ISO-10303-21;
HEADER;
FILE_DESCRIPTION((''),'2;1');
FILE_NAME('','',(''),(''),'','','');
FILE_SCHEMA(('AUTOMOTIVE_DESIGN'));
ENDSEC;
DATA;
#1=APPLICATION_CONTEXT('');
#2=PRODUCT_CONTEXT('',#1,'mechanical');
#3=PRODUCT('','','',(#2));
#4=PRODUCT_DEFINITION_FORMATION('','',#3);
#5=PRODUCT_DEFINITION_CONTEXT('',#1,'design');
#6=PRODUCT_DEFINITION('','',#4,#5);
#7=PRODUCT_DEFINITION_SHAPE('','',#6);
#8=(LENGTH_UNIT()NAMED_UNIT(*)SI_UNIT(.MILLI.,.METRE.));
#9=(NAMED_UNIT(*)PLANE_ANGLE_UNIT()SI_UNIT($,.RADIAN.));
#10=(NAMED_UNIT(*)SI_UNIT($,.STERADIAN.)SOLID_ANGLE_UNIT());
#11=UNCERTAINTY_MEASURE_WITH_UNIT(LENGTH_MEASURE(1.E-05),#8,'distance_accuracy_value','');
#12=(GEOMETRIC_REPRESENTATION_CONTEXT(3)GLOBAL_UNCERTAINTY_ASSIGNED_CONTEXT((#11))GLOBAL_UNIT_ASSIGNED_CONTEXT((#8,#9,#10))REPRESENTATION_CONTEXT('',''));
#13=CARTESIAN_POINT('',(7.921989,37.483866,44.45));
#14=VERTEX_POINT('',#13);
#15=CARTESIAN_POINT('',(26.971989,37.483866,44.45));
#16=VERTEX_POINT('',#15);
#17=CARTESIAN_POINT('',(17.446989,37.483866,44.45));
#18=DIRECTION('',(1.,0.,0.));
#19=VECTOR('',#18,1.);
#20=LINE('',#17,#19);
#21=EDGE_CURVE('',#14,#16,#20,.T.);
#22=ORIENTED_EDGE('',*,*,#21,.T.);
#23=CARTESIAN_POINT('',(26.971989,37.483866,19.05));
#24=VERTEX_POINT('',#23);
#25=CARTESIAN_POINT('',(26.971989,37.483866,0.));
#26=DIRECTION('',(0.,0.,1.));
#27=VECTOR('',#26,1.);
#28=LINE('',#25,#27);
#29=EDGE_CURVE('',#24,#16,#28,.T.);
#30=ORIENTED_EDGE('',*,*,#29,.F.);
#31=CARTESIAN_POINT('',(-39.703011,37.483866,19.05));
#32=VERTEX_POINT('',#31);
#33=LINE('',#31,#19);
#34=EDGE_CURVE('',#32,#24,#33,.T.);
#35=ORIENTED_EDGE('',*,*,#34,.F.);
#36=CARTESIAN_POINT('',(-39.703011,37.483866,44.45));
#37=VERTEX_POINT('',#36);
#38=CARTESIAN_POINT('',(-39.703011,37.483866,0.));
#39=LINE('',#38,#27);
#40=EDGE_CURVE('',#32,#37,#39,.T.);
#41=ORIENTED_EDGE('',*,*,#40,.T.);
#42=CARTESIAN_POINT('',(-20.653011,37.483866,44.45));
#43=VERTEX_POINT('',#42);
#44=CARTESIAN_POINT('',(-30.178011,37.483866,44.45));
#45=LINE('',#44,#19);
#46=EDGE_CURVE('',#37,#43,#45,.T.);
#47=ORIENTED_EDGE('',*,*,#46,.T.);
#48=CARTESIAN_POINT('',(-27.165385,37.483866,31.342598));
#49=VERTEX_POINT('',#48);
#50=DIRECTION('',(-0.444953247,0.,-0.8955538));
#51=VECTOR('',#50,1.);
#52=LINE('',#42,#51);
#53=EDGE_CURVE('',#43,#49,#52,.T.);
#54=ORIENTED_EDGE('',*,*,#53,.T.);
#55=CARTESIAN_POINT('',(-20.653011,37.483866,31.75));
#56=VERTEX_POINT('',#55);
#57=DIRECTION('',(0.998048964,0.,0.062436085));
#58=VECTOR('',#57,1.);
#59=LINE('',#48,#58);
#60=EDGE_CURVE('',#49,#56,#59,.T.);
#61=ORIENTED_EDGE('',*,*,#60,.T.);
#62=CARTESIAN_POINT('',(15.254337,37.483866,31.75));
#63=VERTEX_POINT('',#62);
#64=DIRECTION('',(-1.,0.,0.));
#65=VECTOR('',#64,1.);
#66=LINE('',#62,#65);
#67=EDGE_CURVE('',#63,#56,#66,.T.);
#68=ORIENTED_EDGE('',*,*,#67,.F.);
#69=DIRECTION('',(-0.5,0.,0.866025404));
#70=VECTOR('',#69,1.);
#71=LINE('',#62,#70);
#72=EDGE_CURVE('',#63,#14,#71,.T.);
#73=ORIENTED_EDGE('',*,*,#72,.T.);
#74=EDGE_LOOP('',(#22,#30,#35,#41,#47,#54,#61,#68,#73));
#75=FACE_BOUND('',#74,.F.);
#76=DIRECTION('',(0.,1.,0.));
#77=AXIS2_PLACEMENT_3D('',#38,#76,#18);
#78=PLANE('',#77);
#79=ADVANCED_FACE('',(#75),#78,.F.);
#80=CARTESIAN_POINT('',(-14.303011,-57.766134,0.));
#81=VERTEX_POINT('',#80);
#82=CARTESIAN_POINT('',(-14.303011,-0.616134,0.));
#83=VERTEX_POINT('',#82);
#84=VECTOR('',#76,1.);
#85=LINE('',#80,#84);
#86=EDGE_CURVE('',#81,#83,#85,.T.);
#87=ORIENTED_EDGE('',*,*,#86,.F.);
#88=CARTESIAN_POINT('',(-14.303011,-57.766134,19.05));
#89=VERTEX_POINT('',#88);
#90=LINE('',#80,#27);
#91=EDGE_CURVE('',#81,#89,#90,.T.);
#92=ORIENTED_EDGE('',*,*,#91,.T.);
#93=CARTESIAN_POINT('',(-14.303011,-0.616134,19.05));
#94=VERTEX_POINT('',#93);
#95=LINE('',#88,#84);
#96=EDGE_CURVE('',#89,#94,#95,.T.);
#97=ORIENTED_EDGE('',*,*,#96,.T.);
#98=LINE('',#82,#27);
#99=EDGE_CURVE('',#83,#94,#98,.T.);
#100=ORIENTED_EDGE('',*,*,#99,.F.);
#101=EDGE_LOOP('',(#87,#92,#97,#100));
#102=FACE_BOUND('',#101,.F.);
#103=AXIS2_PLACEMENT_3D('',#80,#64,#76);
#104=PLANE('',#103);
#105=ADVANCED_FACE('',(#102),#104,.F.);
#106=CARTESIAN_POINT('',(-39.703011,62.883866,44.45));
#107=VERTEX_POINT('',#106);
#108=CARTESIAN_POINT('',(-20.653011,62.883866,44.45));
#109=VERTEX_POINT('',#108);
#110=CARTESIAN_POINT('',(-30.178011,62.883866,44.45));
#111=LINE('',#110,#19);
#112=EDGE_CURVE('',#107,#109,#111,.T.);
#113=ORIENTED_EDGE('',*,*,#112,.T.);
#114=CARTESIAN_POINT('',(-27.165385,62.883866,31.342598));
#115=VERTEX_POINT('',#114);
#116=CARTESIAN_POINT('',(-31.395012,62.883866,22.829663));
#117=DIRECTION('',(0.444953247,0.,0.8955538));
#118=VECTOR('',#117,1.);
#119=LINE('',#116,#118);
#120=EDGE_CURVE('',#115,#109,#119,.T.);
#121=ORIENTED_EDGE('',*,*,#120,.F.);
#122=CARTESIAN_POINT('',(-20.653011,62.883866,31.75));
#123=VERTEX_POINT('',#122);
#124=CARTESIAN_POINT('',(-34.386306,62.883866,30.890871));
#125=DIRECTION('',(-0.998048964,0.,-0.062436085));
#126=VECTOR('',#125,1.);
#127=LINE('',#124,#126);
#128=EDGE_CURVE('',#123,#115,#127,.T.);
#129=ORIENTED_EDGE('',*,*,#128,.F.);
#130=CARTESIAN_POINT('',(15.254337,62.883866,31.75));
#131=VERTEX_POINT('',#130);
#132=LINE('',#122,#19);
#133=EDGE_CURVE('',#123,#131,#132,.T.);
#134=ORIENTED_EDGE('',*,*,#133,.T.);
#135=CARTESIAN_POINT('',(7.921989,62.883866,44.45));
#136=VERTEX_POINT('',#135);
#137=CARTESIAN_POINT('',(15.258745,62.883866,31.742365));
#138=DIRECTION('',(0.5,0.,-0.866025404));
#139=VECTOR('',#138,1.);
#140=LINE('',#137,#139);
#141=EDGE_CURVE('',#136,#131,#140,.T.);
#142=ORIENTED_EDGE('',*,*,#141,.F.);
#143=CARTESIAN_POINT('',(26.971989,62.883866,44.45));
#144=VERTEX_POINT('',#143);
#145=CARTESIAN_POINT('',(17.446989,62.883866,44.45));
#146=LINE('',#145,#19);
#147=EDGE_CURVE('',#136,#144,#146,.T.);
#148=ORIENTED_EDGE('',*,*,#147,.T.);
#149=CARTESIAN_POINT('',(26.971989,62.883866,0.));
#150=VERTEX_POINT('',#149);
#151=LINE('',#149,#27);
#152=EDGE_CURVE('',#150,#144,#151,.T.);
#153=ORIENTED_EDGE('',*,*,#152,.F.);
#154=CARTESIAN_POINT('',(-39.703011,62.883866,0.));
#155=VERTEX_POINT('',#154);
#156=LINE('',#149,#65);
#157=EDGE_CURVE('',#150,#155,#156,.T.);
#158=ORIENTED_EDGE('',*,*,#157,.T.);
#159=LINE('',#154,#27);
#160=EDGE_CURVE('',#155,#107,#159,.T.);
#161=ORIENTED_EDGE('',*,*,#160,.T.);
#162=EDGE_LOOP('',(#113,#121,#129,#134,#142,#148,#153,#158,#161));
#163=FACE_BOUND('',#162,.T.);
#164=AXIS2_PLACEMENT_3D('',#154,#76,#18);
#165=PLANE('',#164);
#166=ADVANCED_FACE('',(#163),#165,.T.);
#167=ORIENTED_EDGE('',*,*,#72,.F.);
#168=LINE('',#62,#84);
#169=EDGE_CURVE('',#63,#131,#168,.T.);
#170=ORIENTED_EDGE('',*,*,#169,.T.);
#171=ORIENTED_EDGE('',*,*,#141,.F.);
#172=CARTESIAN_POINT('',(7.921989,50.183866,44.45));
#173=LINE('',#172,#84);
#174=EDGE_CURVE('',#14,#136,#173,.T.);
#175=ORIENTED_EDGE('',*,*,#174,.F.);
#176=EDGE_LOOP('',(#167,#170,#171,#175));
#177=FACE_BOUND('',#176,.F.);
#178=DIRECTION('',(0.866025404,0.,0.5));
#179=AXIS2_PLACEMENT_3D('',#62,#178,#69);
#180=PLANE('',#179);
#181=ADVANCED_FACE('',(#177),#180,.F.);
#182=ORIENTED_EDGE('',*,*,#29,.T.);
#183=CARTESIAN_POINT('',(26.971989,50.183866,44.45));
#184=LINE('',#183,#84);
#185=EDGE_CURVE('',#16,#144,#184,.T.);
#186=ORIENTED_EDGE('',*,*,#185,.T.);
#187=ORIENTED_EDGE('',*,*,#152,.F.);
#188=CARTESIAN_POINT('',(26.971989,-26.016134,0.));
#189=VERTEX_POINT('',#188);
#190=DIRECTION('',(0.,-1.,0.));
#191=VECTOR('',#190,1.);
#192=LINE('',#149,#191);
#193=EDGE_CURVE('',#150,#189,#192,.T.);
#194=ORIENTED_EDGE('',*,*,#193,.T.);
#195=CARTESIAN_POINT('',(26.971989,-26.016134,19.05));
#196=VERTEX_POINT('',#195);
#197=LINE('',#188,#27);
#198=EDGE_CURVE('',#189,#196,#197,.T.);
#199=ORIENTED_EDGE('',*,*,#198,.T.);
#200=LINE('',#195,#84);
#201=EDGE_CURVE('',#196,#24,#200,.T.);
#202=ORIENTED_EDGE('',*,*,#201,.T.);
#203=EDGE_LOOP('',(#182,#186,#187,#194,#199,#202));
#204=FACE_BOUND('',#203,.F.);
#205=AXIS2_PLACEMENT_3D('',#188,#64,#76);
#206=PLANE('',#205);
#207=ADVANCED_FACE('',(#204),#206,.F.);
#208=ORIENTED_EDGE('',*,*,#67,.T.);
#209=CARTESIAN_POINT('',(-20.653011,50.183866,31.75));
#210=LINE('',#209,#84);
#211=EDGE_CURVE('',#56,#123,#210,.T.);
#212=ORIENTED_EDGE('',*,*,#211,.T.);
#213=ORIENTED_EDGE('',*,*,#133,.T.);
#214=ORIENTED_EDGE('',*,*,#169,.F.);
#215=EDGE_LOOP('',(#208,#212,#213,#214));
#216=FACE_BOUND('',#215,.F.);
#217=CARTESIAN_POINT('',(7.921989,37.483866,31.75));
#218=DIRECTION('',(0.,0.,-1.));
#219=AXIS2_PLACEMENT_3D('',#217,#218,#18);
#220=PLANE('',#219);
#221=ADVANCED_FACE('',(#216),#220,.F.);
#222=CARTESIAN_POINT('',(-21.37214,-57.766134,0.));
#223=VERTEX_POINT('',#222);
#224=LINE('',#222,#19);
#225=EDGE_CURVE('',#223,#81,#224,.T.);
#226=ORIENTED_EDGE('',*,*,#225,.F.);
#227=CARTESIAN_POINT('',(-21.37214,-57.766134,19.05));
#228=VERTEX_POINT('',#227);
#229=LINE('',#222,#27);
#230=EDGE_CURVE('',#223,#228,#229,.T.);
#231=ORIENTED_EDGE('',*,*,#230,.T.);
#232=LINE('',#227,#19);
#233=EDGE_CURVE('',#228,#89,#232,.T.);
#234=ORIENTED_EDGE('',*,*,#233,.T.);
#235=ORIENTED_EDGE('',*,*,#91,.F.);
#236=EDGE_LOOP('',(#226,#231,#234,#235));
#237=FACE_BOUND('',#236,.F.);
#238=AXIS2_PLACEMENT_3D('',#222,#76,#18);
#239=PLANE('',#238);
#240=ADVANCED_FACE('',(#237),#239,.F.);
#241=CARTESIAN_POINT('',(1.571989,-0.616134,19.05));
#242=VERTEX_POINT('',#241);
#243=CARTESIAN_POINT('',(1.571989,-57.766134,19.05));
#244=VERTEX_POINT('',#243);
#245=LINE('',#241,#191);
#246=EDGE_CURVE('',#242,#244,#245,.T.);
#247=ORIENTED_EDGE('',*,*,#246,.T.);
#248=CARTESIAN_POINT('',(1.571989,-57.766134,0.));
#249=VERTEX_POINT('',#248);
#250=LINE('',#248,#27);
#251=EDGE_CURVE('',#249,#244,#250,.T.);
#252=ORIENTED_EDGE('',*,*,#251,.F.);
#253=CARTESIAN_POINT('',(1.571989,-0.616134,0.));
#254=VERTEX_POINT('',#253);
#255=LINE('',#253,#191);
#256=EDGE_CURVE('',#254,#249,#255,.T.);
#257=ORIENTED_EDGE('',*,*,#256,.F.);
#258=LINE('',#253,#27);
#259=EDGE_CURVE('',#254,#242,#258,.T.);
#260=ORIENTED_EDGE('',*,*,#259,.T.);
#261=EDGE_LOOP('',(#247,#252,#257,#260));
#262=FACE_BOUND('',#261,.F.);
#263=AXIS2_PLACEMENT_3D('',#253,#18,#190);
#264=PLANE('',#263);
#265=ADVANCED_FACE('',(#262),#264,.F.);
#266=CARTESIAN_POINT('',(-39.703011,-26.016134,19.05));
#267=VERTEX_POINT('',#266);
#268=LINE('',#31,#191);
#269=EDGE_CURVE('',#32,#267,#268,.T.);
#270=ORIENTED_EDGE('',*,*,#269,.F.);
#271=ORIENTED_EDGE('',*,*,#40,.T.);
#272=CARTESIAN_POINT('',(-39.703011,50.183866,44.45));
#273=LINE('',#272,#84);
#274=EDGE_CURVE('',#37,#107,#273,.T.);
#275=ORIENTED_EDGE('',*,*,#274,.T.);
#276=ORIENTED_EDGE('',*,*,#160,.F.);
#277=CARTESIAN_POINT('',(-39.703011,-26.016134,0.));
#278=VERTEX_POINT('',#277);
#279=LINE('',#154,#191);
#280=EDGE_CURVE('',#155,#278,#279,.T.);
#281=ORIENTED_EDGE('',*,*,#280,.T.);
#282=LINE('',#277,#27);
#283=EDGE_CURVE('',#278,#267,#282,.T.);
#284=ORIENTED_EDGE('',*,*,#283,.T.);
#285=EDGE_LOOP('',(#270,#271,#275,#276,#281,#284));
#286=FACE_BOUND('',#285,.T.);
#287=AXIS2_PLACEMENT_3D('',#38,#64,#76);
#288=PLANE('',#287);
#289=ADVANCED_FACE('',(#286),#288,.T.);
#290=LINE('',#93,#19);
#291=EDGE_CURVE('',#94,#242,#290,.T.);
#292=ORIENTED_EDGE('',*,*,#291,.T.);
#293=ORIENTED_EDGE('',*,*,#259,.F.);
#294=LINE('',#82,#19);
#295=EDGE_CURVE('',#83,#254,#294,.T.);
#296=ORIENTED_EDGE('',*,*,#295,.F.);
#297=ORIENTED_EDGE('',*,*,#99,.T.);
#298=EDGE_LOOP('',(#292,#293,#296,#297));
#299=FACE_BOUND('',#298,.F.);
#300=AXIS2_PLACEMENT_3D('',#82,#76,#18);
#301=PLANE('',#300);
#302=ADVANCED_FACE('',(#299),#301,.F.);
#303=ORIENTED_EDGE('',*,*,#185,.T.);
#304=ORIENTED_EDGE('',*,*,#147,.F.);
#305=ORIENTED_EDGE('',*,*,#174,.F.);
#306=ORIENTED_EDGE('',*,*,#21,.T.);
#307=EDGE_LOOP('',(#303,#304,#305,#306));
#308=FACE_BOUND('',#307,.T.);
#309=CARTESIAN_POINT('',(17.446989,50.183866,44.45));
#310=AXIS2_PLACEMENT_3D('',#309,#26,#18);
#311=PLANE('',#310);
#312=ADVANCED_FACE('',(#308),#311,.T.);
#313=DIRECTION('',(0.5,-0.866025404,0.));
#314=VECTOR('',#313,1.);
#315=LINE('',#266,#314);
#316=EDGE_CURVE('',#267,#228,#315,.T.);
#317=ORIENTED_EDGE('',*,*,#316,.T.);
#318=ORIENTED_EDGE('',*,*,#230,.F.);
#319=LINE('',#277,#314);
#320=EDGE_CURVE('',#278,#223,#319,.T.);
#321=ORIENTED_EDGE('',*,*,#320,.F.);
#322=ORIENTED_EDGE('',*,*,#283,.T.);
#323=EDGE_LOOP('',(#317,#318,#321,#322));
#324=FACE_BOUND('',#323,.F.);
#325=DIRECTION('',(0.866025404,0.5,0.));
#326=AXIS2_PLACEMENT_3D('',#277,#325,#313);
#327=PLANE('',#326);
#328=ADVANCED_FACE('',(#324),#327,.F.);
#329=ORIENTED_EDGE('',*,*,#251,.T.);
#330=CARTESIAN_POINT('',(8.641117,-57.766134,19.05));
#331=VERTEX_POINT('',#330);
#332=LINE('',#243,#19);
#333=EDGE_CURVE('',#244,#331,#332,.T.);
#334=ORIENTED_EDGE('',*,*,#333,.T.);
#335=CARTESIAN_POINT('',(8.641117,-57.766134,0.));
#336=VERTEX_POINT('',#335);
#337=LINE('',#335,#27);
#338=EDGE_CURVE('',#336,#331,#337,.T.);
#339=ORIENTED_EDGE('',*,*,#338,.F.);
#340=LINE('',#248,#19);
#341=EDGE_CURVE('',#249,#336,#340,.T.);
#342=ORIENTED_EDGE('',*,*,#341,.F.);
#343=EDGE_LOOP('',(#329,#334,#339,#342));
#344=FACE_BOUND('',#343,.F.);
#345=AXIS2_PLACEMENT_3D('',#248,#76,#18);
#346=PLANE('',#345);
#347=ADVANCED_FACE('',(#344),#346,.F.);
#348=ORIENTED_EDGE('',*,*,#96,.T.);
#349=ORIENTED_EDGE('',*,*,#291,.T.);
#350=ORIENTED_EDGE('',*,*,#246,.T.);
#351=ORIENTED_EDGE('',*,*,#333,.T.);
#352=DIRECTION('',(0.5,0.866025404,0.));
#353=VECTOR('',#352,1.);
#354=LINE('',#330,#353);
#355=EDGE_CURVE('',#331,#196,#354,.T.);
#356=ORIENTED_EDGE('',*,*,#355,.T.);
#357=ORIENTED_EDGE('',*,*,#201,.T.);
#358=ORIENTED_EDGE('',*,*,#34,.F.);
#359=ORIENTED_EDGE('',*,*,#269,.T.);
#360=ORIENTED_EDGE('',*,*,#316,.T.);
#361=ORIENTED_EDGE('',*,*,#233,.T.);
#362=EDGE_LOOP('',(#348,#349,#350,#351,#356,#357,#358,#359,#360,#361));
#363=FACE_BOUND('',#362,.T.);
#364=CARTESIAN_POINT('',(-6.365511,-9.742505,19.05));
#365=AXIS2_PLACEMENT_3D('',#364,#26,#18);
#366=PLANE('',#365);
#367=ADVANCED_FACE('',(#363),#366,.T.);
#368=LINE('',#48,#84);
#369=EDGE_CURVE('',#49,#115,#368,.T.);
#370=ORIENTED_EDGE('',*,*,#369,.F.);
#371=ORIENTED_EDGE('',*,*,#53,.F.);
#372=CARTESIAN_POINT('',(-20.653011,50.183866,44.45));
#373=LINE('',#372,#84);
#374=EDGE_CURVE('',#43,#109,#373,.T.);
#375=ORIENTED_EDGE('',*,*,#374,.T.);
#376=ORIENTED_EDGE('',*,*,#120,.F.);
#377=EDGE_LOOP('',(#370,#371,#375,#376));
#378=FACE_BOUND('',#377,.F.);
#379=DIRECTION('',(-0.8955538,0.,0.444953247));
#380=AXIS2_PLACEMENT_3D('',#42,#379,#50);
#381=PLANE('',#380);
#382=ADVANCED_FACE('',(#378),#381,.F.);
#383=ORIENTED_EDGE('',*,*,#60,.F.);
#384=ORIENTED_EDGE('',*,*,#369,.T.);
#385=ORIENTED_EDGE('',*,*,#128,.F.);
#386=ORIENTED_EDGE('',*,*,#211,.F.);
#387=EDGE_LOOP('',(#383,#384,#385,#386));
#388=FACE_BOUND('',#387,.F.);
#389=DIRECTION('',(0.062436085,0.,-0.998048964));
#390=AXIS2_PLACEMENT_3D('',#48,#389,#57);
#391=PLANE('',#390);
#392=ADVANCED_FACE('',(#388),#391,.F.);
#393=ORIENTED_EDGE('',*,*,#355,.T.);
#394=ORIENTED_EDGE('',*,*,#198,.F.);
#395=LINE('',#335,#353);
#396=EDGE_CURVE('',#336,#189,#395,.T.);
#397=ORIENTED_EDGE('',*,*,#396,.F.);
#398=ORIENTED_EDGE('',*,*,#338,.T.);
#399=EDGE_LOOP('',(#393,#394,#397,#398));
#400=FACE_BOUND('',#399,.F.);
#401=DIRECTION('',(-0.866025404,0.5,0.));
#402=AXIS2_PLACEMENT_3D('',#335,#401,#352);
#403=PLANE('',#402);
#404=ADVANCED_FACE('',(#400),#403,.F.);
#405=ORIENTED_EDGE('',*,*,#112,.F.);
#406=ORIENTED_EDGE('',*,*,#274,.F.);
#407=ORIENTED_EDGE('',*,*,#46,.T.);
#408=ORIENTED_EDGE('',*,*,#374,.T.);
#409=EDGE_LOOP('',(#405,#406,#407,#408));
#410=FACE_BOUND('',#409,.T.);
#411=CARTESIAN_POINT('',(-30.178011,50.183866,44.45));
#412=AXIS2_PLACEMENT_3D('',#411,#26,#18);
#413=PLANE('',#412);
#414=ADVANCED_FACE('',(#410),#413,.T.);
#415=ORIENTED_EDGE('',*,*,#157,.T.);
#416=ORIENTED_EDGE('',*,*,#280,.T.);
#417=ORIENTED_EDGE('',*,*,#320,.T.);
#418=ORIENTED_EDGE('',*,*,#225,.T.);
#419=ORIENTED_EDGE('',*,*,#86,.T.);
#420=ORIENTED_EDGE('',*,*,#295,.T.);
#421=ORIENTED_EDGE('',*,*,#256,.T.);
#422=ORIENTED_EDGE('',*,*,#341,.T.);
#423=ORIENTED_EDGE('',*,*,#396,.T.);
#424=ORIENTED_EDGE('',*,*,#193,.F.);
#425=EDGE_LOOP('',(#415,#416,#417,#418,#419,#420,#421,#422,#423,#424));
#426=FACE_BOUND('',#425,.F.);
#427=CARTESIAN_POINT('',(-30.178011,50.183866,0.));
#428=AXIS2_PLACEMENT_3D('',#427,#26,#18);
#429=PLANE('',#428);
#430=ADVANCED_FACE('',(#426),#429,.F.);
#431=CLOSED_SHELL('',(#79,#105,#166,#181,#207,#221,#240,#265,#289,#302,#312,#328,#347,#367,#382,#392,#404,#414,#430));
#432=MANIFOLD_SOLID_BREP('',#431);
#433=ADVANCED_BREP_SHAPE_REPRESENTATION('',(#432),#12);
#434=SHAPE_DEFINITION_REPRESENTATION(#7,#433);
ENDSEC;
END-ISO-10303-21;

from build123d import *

# Parameters (mm, degrees)
F1_DEPTH = 19.05
F0_W     = 28.575
F0_H     = 25.4
F2_DEPTH = 31.75
F0_W_2   = 19.05
F3_DEPTH = 44.45
F5_DEPTH = 25.401


with BuildPart() as f1:
    # F0 (on Top) → F1 (new body)
    with BuildSketch(Plane.XY):
        Polygon((-20.6530114731, 37.4838656797), (-39.7030114731, 37.4838656797), (-39.7030114731, -26.0161343203), (-21.3721404263, -57.7661343203), (-14.3030114731, -57.7661343203), (-14.3030114731, -0.6161343203), (1.5719885269, -0.6161343203), (1.5719885269, -57.7661343203), (8.6411174801, -57.7661343203), (26.9719885269, -26.0161343203), (26.9719885269, 37.4838656797), (7.9219885269, 37.4838656797), align=None)
    extrude(amount=F1_DEPTH)

    # F0 (on Top) → F2 (join)
    with BuildSketch(Plane.XY):
        with Locations((-6.3655114731, 50.1838656797)):
            Rectangle(F0_W, F0_H)
    extrude(amount=F2_DEPTH)

    # F0 (on Top) → F3 (join)
    with BuildSketch(Plane.XY):
        with Locations((-30.1780114731, 50.1838656797)):
            Rectangle(F0_W_2, F0_H)
        with Locations((17.4469885269, 50.1838656797)):
            Rectangle(F0_W_2, F0_H)
    extrude(amount=F3_DEPTH)

    # F4 (on face) → F5 (cut, through all)
    with BuildSketch(Plane.XZ.offset(-37.4838656797)):
        Polygon((-20.6530114731, 31.75), (-20.6530114731, 44.45), (-27.1653852305, 31.342598024), align=None)
        Polygon((7.9219885269, 44.45), (7.9219885269, 31.75), (15.2543369456, 31.75), align=None)
    extrude(amount=-F5_DEPTH, mode=Mode.SUBTRACT)


solid = f1.part
